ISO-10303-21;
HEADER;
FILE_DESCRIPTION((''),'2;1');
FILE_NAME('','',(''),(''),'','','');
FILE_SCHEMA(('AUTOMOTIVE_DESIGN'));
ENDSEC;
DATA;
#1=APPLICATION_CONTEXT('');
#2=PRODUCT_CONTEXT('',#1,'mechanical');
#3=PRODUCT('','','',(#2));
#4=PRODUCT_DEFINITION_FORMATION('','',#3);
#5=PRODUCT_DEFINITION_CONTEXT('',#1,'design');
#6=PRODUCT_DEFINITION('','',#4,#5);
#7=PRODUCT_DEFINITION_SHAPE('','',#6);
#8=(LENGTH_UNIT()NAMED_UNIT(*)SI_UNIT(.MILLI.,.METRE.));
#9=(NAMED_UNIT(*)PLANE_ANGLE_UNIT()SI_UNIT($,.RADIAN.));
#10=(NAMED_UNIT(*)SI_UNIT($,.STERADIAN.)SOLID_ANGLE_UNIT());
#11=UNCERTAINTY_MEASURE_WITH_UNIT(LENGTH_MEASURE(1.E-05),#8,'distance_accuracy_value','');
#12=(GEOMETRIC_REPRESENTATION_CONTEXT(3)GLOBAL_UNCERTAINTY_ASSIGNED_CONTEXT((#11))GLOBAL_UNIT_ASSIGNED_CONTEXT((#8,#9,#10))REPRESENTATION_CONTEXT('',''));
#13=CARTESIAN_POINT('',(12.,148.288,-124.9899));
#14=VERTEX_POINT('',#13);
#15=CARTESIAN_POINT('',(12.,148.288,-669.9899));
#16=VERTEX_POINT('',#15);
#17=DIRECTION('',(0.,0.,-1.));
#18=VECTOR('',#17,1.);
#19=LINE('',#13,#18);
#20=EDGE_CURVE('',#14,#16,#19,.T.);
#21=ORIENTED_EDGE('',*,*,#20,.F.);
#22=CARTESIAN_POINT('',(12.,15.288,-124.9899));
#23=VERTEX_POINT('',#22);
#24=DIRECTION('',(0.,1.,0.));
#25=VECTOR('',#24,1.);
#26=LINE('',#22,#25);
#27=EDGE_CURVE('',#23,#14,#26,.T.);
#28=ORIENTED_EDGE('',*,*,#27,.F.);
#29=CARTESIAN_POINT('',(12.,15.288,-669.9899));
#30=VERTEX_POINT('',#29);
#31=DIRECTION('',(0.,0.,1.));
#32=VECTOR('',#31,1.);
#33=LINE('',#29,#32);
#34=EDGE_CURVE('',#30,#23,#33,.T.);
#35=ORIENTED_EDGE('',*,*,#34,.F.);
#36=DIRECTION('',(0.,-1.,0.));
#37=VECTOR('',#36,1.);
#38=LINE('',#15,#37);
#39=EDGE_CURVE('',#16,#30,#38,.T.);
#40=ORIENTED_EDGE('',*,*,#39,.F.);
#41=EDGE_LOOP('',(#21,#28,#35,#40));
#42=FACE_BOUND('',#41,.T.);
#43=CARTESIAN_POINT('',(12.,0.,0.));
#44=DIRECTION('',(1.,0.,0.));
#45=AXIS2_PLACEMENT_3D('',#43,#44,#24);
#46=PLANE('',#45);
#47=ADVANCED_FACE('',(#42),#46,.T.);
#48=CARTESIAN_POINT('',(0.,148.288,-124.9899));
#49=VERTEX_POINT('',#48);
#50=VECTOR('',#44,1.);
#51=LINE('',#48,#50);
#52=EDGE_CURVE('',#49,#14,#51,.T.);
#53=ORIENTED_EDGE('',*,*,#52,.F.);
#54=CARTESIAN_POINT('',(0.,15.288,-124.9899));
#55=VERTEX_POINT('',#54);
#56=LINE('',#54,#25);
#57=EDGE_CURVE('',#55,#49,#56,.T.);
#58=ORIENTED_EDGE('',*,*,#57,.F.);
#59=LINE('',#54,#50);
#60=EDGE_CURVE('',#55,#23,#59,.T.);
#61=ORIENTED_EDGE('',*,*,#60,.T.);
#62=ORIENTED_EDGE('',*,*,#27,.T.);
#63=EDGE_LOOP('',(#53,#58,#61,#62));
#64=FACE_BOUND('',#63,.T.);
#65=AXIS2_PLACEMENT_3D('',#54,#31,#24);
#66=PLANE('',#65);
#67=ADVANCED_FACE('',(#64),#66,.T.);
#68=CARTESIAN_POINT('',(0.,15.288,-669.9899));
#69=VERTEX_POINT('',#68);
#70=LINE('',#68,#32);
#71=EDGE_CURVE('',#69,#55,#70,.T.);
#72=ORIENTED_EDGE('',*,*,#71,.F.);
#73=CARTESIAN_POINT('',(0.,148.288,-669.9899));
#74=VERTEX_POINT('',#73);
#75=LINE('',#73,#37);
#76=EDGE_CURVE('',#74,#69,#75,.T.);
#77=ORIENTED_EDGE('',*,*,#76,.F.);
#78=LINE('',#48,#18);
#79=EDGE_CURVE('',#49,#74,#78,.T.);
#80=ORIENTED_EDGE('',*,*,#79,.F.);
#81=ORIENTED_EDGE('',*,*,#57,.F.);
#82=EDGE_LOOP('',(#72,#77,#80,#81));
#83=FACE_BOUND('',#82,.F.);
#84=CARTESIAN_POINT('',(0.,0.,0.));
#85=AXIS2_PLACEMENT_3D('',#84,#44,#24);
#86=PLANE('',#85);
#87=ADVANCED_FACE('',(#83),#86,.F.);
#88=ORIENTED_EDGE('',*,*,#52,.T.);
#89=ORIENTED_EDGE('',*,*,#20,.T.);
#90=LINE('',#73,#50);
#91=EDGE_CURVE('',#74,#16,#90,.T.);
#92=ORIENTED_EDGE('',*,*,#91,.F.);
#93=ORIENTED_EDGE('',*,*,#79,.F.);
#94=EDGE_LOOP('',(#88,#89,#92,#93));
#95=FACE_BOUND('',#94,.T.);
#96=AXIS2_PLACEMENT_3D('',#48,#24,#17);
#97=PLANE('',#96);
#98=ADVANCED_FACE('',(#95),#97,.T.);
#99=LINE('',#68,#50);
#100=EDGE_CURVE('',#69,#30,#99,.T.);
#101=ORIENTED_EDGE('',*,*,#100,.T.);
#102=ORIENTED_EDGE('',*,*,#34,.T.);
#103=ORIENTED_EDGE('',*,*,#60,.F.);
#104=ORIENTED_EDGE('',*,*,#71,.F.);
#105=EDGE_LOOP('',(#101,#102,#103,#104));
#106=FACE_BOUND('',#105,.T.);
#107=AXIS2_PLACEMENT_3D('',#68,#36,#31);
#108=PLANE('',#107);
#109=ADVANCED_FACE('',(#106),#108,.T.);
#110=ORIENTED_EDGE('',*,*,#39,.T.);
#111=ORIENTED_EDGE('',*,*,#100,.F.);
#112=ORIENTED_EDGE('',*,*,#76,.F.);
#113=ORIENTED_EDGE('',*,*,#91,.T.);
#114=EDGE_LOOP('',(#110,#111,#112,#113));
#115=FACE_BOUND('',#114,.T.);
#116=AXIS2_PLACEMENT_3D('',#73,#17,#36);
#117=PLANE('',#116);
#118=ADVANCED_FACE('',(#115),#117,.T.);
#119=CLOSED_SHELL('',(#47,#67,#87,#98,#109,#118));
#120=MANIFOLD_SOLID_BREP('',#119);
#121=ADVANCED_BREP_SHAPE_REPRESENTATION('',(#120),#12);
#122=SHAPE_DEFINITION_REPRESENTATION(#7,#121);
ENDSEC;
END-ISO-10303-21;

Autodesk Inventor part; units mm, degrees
ref_plane "YZ Plane" through (0, 0, 0) normal (1, 0, 0) x (0, 1, 0)
ref_plane "XZ Plane" through (0, 0, 0) normal (0, 1, 0) x (-1, 0, 0)
ref_plane "XY Plane" through (0, 0, 0) normal (0, 0, 1) x (1, 0, 0)
sketch "Sketch1" plane through (0, 0, 0) normal (1, 0, 0) x (0, 1, 0)
  line L0 (15.288, -124.9899) -> (148.288, -124.9899)
  line L1 (148.288, -124.9899) -> (148.288, -669.9899)
  line L2 (148.288, -669.9899) -> (15.288, -669.9899)
  line L3 (15.288, -669.9899) -> (15.288, -124.9899)
  point P0 (0, 0)
  dimension "d0" = 133
  dimension "b" = 545
extrude "Extrusion1" add sketch "Sketch1" along normal blind 12
properties part number "CUT PART O-01" material "Wood (Birch)"
